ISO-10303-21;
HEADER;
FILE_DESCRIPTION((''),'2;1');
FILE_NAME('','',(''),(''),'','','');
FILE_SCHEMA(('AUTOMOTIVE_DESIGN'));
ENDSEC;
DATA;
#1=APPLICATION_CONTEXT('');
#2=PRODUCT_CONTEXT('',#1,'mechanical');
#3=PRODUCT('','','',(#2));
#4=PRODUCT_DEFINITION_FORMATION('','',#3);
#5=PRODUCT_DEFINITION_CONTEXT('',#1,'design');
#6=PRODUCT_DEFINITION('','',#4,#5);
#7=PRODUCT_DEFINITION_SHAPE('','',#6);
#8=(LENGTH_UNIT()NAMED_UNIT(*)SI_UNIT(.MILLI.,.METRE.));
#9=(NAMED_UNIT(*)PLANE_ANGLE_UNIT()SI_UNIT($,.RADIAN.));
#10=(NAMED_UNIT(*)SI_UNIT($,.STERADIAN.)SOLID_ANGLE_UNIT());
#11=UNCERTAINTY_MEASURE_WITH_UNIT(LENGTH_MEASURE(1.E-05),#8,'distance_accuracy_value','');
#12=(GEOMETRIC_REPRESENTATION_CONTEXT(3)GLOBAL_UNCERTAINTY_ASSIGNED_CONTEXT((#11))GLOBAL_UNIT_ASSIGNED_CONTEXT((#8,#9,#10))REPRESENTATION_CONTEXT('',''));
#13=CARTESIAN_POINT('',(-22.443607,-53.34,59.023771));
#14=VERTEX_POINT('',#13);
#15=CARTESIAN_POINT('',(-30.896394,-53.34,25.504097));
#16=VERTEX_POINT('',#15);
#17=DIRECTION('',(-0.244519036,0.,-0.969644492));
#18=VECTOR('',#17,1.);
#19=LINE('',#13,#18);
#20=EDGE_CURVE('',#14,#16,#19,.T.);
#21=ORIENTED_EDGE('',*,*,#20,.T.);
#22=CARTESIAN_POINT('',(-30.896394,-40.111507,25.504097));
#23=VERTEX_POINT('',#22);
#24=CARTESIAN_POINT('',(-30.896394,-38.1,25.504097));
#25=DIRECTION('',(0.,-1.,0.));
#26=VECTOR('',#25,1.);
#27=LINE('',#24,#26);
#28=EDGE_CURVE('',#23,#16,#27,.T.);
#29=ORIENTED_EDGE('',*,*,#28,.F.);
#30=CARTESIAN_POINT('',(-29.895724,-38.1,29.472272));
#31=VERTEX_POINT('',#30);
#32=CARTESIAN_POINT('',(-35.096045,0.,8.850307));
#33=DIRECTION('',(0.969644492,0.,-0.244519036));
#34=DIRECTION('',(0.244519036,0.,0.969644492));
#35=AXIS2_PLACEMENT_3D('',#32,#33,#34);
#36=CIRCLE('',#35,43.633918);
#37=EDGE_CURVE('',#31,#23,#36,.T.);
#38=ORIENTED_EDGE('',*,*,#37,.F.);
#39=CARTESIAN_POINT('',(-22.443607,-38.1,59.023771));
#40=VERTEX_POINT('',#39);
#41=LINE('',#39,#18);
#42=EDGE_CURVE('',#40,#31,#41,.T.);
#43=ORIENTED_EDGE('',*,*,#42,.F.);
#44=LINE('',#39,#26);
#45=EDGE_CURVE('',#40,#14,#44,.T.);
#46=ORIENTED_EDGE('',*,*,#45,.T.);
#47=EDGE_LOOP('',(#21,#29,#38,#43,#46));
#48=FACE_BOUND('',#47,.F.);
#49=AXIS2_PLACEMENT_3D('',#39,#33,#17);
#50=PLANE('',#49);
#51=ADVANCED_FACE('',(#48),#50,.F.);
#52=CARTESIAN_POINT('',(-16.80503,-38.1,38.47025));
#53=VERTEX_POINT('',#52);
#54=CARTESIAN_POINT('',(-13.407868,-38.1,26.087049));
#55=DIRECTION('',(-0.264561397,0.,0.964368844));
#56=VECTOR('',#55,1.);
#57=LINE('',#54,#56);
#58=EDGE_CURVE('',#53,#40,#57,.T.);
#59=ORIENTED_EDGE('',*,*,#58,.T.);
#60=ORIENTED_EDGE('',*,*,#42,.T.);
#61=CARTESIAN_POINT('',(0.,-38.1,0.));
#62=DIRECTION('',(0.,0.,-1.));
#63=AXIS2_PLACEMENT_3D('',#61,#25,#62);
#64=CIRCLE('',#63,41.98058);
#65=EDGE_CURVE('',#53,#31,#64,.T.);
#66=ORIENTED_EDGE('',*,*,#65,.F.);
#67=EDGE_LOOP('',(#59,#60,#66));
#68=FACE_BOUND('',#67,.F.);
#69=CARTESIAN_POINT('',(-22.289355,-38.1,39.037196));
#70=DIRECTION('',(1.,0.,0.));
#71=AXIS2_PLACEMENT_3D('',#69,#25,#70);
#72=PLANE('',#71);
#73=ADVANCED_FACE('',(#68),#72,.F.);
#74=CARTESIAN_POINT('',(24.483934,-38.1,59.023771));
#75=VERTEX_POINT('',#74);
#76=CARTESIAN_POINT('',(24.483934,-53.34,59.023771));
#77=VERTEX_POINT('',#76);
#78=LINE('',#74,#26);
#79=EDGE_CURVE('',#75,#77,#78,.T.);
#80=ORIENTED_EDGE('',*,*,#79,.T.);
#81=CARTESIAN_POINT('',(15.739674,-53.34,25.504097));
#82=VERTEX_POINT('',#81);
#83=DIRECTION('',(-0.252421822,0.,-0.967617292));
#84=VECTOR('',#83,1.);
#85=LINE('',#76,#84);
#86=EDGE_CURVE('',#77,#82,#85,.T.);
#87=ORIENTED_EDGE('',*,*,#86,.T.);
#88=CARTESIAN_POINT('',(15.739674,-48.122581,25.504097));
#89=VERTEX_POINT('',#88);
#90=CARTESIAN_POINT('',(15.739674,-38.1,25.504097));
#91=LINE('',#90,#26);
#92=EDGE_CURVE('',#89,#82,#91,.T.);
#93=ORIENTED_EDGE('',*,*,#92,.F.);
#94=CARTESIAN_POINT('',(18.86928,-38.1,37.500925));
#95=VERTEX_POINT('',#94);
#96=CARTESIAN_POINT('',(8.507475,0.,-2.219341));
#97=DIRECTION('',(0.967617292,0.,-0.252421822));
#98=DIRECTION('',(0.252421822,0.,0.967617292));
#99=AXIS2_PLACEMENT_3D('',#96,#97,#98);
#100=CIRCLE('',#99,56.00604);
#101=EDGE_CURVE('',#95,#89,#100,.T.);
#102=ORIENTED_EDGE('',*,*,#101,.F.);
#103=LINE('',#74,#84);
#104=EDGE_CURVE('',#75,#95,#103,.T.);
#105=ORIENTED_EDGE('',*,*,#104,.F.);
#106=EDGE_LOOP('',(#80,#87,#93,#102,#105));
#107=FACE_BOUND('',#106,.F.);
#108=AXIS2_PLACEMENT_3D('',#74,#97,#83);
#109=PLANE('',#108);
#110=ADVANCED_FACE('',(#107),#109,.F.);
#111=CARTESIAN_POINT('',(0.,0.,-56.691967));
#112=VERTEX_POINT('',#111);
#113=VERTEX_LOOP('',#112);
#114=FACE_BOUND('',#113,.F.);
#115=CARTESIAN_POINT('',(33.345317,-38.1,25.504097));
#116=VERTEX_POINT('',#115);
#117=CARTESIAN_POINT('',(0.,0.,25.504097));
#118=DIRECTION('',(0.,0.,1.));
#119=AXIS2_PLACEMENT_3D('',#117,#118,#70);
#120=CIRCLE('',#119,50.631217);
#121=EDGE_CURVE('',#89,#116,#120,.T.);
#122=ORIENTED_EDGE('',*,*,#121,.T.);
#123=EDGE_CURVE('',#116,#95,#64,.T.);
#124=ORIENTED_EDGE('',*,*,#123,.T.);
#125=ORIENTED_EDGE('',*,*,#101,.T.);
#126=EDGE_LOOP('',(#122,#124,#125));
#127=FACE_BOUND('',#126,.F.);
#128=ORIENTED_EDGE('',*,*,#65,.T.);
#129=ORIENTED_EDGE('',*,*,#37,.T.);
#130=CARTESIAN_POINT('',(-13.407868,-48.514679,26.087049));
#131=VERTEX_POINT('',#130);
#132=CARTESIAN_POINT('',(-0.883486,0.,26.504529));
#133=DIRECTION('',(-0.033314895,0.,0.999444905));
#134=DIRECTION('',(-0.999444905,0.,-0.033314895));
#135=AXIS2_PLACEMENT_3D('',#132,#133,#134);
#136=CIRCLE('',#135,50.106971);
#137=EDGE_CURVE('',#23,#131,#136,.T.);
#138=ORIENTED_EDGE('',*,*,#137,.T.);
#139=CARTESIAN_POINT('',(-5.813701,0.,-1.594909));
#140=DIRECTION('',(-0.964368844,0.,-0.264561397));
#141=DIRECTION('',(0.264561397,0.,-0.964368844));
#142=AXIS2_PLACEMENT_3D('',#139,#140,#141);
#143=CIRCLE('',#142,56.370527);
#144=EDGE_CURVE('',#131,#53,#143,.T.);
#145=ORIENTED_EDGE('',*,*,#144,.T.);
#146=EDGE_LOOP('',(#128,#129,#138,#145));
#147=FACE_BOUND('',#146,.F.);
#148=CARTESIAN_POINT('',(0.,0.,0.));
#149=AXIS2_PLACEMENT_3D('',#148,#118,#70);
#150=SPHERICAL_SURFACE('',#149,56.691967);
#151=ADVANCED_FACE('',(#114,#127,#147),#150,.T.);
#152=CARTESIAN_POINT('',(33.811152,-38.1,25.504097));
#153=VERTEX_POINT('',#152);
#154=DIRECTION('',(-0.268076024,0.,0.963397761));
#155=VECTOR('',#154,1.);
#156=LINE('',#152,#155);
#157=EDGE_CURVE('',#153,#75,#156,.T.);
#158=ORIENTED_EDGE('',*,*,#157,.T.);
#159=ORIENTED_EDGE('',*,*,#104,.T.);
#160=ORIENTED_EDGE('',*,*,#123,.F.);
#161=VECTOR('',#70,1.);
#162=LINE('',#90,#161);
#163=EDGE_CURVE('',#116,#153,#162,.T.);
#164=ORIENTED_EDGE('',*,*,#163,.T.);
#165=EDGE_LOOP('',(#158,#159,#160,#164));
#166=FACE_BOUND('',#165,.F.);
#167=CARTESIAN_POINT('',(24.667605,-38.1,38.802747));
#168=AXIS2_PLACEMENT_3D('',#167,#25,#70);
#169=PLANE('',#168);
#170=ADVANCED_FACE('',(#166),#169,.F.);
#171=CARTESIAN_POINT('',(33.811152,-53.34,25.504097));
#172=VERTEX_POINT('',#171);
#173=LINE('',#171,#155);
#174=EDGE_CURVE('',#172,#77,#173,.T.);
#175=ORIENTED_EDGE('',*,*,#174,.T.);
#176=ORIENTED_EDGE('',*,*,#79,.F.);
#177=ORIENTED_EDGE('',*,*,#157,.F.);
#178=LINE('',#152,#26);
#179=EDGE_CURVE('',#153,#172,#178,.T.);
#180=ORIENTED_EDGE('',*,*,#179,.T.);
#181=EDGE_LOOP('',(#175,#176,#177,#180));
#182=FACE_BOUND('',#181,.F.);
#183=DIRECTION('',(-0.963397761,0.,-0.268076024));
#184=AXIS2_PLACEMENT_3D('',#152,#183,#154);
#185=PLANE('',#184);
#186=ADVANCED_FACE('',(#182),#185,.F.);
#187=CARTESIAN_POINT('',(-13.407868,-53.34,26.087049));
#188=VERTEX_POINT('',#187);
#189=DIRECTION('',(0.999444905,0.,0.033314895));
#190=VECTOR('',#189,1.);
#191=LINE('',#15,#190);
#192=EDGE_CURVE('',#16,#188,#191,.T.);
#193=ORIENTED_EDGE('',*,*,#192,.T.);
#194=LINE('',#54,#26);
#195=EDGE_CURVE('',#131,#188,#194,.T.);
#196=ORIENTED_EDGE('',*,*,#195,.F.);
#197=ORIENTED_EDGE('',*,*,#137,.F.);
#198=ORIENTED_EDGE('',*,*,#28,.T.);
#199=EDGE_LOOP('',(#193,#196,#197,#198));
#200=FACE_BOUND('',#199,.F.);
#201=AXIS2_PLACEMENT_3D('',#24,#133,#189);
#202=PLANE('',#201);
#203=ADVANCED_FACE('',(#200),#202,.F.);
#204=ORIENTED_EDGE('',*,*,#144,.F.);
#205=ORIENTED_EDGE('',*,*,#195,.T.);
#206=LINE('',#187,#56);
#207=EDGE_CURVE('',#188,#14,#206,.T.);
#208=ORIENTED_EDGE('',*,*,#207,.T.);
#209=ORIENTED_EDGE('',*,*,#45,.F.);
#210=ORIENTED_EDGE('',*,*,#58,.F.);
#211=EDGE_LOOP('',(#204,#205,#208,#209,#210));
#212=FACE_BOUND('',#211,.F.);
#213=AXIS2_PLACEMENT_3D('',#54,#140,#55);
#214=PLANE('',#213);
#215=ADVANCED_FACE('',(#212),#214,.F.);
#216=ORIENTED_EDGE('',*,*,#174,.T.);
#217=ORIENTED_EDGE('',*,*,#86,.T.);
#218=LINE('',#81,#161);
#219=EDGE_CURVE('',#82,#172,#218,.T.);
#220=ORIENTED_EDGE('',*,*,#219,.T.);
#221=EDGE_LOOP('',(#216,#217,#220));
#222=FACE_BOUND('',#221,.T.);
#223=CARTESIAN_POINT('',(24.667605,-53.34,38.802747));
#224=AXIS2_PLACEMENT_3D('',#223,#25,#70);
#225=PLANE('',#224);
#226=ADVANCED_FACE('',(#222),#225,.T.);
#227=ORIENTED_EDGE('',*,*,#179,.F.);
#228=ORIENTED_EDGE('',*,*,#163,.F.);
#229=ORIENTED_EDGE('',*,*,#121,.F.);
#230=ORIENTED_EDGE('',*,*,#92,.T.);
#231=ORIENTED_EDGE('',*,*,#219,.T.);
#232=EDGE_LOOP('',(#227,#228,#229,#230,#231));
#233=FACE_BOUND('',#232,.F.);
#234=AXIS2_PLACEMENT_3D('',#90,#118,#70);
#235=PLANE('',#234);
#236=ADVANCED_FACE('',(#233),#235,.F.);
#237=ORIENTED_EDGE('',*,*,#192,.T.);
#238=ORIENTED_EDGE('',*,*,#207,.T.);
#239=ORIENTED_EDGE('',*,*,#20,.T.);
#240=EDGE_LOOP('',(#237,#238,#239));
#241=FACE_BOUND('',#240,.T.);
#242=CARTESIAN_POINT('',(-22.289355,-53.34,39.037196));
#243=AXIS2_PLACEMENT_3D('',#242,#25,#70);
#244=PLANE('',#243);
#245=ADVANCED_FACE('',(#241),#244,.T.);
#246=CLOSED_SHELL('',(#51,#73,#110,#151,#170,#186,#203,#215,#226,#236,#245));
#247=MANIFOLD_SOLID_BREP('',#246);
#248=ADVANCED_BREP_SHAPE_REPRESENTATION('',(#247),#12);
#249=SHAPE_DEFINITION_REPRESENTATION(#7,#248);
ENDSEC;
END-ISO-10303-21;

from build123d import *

# Parameters (mm, degrees)
F4_DEPTH = 15.24


with BuildPart() as f1:
    # F0 (on Front) → F1 (revolve)
    with BuildSketch(Plane.XZ):
        with BuildLine():
            Line((0, 56.691967), (0, -56.691967))
            ThreePointArc((0, -56.691967), (56.691967, 0), (0, 56.691967))
        make_face()
    revolve(axis=Axis((0, 0, 0.728689), (0, 0, -1)))

    # F3 (on offset) → F4 (join)
    with BuildSketch(Plane.XZ.offset(38.1)):
        Polygon((-22.443607, 59.023771), (-30.896394, 25.504097), (-13.407868, 26.087049), align=None)
        Polygon((24.483934, 59.023771), (15.739674, 25.504097), (33.811152, 25.504097), align=None)
    extrude(amount=F4_DEPTH)


solid = f1.part
